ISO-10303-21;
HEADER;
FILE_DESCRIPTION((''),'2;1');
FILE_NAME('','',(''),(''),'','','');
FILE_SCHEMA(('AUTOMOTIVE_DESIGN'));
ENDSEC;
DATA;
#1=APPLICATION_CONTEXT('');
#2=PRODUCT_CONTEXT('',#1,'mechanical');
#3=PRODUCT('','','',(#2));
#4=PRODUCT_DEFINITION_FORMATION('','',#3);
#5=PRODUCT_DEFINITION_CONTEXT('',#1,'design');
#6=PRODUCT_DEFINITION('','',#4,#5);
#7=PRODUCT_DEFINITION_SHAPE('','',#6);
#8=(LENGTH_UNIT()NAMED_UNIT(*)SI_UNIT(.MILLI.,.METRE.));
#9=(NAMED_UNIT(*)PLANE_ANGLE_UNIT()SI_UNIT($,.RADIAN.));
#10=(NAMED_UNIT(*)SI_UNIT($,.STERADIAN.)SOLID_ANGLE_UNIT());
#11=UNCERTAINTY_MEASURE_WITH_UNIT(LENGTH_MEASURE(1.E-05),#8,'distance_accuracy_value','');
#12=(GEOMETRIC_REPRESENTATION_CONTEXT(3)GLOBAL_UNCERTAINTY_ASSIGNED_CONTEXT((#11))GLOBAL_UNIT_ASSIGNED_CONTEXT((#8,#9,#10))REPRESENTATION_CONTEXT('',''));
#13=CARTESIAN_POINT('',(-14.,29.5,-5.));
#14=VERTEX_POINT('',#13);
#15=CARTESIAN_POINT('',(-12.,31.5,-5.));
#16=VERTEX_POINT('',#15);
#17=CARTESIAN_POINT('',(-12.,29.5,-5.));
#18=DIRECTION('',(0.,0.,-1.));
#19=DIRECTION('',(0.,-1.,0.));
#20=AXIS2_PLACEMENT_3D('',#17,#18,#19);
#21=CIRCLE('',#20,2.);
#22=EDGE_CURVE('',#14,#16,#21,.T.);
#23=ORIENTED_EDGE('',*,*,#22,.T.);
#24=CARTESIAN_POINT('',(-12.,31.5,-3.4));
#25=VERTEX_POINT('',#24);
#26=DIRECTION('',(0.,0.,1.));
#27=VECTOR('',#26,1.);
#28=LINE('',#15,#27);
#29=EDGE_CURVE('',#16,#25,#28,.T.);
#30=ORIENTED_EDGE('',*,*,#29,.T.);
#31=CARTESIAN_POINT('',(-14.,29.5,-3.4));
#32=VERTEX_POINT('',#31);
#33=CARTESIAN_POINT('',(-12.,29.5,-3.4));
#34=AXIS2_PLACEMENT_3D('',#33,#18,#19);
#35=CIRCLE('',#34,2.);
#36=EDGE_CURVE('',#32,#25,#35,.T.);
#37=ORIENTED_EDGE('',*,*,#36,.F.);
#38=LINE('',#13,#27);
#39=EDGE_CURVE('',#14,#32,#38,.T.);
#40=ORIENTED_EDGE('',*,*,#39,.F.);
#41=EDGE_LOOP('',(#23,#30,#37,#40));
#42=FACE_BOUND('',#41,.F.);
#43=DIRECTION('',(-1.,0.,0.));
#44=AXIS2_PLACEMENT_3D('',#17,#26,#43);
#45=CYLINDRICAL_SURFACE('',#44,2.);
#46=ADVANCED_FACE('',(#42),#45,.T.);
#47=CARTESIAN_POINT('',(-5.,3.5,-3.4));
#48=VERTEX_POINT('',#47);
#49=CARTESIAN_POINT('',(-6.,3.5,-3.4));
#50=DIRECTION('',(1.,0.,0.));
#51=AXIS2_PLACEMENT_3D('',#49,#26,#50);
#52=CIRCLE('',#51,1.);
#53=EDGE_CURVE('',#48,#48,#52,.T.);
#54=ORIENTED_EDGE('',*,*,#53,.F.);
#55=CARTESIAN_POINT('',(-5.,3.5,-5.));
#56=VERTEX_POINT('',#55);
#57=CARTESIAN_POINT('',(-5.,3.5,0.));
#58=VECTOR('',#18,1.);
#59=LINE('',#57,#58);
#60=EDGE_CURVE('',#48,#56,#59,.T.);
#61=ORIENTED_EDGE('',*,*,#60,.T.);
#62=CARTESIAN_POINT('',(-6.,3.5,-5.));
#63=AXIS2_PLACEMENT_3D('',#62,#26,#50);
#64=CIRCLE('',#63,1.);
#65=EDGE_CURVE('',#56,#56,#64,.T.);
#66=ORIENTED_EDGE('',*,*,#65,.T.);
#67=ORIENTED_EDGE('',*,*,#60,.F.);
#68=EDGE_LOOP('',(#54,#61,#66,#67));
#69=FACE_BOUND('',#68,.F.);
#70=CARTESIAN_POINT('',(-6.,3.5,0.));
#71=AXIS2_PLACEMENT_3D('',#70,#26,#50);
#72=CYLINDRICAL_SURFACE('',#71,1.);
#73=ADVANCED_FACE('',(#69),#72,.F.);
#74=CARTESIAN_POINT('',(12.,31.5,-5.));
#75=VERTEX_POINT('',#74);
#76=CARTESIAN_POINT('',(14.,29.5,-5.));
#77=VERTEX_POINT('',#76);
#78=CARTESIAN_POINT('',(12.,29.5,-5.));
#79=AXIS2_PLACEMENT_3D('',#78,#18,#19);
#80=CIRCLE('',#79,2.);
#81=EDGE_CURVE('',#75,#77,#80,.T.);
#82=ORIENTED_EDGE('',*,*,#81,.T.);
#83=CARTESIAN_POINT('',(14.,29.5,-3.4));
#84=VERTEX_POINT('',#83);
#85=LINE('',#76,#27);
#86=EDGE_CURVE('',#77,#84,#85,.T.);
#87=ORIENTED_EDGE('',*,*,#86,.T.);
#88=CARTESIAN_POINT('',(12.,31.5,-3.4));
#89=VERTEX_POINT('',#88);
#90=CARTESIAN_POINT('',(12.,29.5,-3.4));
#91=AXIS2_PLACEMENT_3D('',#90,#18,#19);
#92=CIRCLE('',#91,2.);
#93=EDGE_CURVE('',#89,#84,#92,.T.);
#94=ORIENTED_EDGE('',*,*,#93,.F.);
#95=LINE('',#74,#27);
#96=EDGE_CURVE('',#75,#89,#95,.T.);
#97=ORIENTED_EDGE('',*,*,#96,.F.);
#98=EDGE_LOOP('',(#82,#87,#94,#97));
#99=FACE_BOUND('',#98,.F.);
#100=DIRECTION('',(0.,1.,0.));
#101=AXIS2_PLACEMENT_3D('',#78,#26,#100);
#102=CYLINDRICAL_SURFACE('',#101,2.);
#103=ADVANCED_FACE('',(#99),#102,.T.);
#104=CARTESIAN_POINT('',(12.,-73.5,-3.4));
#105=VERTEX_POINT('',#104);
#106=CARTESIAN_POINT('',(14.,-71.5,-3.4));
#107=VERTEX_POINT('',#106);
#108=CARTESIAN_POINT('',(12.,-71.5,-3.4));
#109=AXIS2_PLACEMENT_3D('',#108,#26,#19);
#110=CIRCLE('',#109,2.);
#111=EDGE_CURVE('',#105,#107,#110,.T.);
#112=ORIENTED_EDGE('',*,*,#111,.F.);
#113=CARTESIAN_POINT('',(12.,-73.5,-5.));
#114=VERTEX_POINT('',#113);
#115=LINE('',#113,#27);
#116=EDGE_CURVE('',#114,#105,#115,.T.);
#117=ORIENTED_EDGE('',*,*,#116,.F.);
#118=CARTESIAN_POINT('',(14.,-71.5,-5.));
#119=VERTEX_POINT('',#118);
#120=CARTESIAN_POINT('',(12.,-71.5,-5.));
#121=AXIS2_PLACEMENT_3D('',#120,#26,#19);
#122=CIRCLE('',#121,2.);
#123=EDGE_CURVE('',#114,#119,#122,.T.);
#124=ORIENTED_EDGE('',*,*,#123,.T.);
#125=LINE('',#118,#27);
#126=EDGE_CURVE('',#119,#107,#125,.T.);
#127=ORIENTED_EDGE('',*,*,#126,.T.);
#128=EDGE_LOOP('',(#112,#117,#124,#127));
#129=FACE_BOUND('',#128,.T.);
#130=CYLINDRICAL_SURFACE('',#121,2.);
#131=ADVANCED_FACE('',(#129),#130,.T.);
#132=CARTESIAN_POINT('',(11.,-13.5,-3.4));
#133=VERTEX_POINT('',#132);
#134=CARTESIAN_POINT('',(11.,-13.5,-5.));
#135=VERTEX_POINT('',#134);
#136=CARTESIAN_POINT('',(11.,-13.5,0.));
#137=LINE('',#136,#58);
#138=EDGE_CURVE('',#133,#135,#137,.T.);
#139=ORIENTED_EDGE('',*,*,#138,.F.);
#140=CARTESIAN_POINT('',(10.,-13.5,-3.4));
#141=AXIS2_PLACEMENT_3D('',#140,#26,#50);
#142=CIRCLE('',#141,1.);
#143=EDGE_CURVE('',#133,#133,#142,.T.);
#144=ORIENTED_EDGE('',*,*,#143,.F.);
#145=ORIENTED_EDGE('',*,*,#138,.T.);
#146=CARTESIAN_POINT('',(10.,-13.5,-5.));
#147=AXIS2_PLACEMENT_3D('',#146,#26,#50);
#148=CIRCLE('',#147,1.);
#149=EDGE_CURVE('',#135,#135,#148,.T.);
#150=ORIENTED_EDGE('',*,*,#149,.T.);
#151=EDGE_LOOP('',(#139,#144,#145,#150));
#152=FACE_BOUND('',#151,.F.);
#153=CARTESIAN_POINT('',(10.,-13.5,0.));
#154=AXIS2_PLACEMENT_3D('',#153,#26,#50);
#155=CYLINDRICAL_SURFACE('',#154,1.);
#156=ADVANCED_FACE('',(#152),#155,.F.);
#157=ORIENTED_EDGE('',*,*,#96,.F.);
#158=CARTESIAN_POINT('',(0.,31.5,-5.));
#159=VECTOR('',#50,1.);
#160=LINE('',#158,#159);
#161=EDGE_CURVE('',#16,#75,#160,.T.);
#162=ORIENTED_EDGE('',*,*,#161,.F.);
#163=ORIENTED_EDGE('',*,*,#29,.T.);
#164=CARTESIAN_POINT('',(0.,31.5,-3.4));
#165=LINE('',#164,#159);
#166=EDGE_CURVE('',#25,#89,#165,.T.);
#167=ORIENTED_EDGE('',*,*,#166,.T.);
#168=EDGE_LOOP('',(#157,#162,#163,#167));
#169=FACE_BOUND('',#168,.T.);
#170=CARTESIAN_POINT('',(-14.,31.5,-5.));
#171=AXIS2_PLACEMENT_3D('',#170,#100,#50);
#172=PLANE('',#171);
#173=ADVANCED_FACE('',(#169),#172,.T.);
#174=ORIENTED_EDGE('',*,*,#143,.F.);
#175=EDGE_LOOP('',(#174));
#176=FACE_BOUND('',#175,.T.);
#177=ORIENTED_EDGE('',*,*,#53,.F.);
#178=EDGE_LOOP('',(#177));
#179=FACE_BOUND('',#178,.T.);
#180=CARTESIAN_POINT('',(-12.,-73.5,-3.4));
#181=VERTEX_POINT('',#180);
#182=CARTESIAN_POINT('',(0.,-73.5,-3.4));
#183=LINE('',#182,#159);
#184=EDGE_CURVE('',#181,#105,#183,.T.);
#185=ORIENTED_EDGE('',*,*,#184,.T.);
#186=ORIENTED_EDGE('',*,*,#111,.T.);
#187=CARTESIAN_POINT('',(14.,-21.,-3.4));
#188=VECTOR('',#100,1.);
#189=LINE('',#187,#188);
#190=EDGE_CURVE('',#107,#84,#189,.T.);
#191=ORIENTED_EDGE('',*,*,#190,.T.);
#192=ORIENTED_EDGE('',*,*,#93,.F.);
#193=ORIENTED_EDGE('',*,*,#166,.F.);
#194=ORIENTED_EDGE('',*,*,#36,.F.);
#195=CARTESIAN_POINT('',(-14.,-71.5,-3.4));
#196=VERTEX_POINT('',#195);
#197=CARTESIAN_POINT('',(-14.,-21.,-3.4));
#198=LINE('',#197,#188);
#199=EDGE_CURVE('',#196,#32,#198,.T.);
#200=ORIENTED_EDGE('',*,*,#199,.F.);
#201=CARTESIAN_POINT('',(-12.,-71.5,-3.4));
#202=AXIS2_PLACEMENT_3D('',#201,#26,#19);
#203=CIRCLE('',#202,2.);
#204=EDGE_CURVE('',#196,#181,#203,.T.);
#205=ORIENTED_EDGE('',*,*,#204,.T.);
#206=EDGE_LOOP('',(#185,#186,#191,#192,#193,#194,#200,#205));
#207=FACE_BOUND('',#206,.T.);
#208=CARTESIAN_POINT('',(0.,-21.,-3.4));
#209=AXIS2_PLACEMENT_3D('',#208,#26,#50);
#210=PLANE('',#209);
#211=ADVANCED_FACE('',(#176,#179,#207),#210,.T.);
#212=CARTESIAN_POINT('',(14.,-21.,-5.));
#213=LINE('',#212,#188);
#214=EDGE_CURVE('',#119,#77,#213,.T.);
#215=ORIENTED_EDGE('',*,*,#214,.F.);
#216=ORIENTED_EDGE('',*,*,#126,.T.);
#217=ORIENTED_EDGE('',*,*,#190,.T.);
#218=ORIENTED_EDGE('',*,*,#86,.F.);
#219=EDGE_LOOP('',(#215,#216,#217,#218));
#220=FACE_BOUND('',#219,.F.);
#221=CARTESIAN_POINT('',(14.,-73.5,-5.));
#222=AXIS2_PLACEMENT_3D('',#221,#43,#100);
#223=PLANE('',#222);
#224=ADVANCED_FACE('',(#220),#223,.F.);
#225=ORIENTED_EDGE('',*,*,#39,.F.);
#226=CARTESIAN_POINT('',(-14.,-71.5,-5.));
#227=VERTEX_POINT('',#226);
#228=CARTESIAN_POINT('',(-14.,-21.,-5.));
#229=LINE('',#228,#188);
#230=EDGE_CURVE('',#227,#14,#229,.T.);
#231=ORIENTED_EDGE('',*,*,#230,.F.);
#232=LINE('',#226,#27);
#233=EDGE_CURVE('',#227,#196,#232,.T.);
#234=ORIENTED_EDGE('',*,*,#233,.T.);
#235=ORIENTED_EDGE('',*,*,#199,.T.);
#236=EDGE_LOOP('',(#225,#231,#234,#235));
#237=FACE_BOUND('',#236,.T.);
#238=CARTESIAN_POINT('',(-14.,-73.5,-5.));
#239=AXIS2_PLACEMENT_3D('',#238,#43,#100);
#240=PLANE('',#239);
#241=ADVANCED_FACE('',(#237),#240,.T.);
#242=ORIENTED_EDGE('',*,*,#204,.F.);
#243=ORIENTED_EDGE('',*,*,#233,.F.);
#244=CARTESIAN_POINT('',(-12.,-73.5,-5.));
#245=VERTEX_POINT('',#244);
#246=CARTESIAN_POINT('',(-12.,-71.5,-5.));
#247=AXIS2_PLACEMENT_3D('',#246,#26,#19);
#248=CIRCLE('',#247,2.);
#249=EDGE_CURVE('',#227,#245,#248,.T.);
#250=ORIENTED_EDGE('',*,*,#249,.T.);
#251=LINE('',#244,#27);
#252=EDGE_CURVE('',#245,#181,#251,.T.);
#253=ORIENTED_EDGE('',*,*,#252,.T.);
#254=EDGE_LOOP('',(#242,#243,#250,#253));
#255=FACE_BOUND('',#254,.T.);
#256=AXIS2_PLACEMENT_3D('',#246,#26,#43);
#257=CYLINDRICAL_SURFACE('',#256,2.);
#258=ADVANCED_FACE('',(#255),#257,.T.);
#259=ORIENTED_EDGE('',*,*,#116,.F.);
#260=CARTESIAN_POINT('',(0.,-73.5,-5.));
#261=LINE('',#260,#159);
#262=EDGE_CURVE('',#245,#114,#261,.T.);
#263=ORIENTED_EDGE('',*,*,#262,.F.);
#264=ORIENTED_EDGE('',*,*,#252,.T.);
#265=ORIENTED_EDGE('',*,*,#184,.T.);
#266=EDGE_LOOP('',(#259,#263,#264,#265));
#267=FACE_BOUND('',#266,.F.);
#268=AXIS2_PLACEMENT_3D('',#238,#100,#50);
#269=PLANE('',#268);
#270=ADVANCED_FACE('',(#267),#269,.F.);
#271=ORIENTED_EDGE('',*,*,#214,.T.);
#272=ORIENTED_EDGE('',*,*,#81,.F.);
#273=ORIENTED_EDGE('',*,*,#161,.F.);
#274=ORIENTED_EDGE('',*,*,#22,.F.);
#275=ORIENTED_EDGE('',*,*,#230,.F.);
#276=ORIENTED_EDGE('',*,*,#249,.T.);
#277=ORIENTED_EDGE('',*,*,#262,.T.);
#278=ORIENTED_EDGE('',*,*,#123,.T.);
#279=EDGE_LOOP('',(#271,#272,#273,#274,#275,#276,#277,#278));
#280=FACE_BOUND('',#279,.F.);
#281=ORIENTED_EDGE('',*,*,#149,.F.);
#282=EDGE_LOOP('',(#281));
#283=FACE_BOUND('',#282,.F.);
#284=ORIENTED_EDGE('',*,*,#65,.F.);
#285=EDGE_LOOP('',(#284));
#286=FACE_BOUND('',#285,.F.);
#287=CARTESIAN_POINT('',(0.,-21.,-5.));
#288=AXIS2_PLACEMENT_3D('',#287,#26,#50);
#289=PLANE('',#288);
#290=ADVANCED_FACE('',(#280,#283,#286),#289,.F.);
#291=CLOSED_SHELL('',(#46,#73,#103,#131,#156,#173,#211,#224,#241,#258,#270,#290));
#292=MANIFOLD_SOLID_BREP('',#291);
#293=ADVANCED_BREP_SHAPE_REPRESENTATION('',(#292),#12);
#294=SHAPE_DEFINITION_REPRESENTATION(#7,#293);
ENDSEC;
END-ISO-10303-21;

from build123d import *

# Parameters (mm, degrees)
SKETCH172_W     = 28
SKETCH172_H     = 105
PAD044_DEPTH    = 1.6
SKETCH173_R     = 1
POCKET023_DEPTH = 5
FILLET020_R     = 2


with BuildPart() as part:
    # Sketch172 (on DatumPlane) → Pad044 (new body)
    with BuildSketch(Plane(origin=(0, 19.5, -5), x_dir=(1, 0, 0), z_dir=(0, 0, 1))):
        with Locations((0, -40.5)):
            Rectangle(SKETCH172_W, SKETCH172_H)
    extrude(amount=PAD044_DEPTH)

    # Sketch173 → Pocket023 (cut)
    with BuildSketch(Plane.XY):
        with Locations((10, -13.5)):
            Circle(SKETCH173_R)
        with Locations((-6, 3.5)):
            Circle(SKETCH173_R)
    extrude(amount=-POCKET023_DEPTH, mode=Mode.SUBTRACT)

    # Fillet020
    fillet020_edges = [part.edges().sort_by_distance(p)[0] for p in [
        (14, 31.5, -4.2),
        (-14, 31.5, -4.2),
        (14, -73.5, -4.2),
        (-14, -73.5, -4.2),
    ]]
    fillet(fillet020_edges, radius=FILLET020_R)


solid = part.part
